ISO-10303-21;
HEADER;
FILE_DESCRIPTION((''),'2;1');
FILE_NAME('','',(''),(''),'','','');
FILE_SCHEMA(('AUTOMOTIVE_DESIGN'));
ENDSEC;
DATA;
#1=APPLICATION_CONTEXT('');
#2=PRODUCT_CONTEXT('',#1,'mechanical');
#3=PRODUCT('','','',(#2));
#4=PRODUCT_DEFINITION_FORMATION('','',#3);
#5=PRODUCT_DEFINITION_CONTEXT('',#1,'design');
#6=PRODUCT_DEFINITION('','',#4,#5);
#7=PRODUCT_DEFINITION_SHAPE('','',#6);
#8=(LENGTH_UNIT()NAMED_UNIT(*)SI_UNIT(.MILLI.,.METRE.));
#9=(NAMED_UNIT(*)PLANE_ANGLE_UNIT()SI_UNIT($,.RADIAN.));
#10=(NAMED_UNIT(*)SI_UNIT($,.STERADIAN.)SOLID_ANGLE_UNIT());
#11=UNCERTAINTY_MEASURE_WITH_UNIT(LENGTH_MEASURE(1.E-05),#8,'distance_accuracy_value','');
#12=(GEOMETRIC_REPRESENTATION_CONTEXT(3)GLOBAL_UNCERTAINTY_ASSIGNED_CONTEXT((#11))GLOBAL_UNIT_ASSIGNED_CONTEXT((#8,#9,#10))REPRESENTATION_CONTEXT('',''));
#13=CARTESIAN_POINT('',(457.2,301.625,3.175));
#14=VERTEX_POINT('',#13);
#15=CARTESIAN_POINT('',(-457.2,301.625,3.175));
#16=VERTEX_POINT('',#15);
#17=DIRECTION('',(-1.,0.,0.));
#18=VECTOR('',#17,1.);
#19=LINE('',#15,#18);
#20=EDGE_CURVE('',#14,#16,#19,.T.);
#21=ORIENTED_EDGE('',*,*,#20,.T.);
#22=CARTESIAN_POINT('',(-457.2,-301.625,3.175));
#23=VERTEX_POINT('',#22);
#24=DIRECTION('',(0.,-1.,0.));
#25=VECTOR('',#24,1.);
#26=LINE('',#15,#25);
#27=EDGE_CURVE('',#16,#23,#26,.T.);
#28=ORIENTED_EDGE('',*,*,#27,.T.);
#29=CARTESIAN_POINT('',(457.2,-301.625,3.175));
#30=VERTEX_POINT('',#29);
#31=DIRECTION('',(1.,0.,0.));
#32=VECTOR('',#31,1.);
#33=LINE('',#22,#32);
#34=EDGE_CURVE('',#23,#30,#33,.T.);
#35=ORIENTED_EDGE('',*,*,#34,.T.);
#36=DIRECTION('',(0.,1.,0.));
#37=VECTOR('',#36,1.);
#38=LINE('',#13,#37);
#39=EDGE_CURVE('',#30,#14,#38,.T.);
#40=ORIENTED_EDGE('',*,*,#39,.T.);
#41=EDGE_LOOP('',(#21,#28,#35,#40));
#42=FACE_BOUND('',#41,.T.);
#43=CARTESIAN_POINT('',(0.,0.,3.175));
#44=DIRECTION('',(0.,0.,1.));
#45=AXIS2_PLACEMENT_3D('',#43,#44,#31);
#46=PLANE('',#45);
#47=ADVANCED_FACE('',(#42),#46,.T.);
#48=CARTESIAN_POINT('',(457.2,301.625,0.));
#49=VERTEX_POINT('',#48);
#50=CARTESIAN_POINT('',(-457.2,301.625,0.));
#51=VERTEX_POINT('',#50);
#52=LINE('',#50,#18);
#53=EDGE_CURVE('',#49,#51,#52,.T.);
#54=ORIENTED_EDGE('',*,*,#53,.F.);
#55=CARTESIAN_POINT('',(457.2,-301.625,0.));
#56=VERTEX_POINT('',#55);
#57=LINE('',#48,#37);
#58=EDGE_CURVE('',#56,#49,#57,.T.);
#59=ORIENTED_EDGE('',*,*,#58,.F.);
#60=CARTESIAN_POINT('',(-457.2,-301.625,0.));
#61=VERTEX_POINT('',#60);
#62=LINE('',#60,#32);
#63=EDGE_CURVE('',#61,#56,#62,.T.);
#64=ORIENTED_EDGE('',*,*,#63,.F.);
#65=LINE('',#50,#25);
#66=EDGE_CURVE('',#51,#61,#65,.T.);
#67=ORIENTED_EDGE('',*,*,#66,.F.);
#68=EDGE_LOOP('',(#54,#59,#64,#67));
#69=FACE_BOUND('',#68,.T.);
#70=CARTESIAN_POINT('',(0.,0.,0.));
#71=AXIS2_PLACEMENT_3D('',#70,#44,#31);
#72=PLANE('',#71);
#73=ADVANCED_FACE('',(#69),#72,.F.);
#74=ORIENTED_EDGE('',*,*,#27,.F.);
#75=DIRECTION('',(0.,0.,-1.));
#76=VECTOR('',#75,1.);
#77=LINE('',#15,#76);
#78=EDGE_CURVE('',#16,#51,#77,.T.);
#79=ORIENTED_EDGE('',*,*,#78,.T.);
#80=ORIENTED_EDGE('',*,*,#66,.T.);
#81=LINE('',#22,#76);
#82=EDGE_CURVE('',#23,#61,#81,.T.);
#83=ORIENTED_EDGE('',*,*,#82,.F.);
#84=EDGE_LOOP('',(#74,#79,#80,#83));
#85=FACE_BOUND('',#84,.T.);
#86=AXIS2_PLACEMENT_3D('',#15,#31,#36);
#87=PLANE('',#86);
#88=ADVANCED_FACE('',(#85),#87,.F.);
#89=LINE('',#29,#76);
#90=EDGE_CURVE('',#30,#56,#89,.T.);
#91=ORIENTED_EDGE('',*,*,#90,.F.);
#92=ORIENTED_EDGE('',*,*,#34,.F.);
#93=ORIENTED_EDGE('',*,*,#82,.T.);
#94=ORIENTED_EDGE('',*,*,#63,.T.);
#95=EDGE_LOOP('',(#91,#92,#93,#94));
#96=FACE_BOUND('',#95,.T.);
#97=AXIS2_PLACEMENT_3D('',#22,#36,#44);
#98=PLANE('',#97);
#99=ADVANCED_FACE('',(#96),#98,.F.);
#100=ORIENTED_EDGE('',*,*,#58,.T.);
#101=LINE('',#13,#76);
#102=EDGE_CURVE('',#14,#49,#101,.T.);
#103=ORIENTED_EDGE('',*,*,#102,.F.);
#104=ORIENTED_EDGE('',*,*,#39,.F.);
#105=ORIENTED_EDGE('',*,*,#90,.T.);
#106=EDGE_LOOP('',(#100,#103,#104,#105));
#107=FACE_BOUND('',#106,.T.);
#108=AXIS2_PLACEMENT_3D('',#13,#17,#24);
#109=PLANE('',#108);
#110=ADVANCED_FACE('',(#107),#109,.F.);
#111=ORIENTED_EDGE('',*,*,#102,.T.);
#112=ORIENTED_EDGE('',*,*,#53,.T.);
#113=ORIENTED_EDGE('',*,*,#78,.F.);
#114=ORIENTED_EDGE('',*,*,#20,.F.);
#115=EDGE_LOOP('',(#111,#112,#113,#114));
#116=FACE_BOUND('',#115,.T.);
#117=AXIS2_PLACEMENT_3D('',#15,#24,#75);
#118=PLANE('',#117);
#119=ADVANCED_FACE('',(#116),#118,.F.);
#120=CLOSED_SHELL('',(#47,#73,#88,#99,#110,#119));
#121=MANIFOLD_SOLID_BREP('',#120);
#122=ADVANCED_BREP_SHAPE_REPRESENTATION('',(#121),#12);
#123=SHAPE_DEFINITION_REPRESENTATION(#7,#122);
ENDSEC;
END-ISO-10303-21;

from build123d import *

# Parameters (mm, degrees)
SKETCH1_W           = 914.4
SKETCH1_H           = 603.25
BOSS_EXTRUDE1_DEPTH = 3.175


with BuildPart() as part:
    # Sketch1 → Boss-Extrude1 (new body)
    with BuildSketch(Plane.XY):
        Rectangle(SKETCH1_W, SKETCH1_H)
    extrude(amount=BOSS_EXTRUDE1_DEPTH)


solid = part.part
